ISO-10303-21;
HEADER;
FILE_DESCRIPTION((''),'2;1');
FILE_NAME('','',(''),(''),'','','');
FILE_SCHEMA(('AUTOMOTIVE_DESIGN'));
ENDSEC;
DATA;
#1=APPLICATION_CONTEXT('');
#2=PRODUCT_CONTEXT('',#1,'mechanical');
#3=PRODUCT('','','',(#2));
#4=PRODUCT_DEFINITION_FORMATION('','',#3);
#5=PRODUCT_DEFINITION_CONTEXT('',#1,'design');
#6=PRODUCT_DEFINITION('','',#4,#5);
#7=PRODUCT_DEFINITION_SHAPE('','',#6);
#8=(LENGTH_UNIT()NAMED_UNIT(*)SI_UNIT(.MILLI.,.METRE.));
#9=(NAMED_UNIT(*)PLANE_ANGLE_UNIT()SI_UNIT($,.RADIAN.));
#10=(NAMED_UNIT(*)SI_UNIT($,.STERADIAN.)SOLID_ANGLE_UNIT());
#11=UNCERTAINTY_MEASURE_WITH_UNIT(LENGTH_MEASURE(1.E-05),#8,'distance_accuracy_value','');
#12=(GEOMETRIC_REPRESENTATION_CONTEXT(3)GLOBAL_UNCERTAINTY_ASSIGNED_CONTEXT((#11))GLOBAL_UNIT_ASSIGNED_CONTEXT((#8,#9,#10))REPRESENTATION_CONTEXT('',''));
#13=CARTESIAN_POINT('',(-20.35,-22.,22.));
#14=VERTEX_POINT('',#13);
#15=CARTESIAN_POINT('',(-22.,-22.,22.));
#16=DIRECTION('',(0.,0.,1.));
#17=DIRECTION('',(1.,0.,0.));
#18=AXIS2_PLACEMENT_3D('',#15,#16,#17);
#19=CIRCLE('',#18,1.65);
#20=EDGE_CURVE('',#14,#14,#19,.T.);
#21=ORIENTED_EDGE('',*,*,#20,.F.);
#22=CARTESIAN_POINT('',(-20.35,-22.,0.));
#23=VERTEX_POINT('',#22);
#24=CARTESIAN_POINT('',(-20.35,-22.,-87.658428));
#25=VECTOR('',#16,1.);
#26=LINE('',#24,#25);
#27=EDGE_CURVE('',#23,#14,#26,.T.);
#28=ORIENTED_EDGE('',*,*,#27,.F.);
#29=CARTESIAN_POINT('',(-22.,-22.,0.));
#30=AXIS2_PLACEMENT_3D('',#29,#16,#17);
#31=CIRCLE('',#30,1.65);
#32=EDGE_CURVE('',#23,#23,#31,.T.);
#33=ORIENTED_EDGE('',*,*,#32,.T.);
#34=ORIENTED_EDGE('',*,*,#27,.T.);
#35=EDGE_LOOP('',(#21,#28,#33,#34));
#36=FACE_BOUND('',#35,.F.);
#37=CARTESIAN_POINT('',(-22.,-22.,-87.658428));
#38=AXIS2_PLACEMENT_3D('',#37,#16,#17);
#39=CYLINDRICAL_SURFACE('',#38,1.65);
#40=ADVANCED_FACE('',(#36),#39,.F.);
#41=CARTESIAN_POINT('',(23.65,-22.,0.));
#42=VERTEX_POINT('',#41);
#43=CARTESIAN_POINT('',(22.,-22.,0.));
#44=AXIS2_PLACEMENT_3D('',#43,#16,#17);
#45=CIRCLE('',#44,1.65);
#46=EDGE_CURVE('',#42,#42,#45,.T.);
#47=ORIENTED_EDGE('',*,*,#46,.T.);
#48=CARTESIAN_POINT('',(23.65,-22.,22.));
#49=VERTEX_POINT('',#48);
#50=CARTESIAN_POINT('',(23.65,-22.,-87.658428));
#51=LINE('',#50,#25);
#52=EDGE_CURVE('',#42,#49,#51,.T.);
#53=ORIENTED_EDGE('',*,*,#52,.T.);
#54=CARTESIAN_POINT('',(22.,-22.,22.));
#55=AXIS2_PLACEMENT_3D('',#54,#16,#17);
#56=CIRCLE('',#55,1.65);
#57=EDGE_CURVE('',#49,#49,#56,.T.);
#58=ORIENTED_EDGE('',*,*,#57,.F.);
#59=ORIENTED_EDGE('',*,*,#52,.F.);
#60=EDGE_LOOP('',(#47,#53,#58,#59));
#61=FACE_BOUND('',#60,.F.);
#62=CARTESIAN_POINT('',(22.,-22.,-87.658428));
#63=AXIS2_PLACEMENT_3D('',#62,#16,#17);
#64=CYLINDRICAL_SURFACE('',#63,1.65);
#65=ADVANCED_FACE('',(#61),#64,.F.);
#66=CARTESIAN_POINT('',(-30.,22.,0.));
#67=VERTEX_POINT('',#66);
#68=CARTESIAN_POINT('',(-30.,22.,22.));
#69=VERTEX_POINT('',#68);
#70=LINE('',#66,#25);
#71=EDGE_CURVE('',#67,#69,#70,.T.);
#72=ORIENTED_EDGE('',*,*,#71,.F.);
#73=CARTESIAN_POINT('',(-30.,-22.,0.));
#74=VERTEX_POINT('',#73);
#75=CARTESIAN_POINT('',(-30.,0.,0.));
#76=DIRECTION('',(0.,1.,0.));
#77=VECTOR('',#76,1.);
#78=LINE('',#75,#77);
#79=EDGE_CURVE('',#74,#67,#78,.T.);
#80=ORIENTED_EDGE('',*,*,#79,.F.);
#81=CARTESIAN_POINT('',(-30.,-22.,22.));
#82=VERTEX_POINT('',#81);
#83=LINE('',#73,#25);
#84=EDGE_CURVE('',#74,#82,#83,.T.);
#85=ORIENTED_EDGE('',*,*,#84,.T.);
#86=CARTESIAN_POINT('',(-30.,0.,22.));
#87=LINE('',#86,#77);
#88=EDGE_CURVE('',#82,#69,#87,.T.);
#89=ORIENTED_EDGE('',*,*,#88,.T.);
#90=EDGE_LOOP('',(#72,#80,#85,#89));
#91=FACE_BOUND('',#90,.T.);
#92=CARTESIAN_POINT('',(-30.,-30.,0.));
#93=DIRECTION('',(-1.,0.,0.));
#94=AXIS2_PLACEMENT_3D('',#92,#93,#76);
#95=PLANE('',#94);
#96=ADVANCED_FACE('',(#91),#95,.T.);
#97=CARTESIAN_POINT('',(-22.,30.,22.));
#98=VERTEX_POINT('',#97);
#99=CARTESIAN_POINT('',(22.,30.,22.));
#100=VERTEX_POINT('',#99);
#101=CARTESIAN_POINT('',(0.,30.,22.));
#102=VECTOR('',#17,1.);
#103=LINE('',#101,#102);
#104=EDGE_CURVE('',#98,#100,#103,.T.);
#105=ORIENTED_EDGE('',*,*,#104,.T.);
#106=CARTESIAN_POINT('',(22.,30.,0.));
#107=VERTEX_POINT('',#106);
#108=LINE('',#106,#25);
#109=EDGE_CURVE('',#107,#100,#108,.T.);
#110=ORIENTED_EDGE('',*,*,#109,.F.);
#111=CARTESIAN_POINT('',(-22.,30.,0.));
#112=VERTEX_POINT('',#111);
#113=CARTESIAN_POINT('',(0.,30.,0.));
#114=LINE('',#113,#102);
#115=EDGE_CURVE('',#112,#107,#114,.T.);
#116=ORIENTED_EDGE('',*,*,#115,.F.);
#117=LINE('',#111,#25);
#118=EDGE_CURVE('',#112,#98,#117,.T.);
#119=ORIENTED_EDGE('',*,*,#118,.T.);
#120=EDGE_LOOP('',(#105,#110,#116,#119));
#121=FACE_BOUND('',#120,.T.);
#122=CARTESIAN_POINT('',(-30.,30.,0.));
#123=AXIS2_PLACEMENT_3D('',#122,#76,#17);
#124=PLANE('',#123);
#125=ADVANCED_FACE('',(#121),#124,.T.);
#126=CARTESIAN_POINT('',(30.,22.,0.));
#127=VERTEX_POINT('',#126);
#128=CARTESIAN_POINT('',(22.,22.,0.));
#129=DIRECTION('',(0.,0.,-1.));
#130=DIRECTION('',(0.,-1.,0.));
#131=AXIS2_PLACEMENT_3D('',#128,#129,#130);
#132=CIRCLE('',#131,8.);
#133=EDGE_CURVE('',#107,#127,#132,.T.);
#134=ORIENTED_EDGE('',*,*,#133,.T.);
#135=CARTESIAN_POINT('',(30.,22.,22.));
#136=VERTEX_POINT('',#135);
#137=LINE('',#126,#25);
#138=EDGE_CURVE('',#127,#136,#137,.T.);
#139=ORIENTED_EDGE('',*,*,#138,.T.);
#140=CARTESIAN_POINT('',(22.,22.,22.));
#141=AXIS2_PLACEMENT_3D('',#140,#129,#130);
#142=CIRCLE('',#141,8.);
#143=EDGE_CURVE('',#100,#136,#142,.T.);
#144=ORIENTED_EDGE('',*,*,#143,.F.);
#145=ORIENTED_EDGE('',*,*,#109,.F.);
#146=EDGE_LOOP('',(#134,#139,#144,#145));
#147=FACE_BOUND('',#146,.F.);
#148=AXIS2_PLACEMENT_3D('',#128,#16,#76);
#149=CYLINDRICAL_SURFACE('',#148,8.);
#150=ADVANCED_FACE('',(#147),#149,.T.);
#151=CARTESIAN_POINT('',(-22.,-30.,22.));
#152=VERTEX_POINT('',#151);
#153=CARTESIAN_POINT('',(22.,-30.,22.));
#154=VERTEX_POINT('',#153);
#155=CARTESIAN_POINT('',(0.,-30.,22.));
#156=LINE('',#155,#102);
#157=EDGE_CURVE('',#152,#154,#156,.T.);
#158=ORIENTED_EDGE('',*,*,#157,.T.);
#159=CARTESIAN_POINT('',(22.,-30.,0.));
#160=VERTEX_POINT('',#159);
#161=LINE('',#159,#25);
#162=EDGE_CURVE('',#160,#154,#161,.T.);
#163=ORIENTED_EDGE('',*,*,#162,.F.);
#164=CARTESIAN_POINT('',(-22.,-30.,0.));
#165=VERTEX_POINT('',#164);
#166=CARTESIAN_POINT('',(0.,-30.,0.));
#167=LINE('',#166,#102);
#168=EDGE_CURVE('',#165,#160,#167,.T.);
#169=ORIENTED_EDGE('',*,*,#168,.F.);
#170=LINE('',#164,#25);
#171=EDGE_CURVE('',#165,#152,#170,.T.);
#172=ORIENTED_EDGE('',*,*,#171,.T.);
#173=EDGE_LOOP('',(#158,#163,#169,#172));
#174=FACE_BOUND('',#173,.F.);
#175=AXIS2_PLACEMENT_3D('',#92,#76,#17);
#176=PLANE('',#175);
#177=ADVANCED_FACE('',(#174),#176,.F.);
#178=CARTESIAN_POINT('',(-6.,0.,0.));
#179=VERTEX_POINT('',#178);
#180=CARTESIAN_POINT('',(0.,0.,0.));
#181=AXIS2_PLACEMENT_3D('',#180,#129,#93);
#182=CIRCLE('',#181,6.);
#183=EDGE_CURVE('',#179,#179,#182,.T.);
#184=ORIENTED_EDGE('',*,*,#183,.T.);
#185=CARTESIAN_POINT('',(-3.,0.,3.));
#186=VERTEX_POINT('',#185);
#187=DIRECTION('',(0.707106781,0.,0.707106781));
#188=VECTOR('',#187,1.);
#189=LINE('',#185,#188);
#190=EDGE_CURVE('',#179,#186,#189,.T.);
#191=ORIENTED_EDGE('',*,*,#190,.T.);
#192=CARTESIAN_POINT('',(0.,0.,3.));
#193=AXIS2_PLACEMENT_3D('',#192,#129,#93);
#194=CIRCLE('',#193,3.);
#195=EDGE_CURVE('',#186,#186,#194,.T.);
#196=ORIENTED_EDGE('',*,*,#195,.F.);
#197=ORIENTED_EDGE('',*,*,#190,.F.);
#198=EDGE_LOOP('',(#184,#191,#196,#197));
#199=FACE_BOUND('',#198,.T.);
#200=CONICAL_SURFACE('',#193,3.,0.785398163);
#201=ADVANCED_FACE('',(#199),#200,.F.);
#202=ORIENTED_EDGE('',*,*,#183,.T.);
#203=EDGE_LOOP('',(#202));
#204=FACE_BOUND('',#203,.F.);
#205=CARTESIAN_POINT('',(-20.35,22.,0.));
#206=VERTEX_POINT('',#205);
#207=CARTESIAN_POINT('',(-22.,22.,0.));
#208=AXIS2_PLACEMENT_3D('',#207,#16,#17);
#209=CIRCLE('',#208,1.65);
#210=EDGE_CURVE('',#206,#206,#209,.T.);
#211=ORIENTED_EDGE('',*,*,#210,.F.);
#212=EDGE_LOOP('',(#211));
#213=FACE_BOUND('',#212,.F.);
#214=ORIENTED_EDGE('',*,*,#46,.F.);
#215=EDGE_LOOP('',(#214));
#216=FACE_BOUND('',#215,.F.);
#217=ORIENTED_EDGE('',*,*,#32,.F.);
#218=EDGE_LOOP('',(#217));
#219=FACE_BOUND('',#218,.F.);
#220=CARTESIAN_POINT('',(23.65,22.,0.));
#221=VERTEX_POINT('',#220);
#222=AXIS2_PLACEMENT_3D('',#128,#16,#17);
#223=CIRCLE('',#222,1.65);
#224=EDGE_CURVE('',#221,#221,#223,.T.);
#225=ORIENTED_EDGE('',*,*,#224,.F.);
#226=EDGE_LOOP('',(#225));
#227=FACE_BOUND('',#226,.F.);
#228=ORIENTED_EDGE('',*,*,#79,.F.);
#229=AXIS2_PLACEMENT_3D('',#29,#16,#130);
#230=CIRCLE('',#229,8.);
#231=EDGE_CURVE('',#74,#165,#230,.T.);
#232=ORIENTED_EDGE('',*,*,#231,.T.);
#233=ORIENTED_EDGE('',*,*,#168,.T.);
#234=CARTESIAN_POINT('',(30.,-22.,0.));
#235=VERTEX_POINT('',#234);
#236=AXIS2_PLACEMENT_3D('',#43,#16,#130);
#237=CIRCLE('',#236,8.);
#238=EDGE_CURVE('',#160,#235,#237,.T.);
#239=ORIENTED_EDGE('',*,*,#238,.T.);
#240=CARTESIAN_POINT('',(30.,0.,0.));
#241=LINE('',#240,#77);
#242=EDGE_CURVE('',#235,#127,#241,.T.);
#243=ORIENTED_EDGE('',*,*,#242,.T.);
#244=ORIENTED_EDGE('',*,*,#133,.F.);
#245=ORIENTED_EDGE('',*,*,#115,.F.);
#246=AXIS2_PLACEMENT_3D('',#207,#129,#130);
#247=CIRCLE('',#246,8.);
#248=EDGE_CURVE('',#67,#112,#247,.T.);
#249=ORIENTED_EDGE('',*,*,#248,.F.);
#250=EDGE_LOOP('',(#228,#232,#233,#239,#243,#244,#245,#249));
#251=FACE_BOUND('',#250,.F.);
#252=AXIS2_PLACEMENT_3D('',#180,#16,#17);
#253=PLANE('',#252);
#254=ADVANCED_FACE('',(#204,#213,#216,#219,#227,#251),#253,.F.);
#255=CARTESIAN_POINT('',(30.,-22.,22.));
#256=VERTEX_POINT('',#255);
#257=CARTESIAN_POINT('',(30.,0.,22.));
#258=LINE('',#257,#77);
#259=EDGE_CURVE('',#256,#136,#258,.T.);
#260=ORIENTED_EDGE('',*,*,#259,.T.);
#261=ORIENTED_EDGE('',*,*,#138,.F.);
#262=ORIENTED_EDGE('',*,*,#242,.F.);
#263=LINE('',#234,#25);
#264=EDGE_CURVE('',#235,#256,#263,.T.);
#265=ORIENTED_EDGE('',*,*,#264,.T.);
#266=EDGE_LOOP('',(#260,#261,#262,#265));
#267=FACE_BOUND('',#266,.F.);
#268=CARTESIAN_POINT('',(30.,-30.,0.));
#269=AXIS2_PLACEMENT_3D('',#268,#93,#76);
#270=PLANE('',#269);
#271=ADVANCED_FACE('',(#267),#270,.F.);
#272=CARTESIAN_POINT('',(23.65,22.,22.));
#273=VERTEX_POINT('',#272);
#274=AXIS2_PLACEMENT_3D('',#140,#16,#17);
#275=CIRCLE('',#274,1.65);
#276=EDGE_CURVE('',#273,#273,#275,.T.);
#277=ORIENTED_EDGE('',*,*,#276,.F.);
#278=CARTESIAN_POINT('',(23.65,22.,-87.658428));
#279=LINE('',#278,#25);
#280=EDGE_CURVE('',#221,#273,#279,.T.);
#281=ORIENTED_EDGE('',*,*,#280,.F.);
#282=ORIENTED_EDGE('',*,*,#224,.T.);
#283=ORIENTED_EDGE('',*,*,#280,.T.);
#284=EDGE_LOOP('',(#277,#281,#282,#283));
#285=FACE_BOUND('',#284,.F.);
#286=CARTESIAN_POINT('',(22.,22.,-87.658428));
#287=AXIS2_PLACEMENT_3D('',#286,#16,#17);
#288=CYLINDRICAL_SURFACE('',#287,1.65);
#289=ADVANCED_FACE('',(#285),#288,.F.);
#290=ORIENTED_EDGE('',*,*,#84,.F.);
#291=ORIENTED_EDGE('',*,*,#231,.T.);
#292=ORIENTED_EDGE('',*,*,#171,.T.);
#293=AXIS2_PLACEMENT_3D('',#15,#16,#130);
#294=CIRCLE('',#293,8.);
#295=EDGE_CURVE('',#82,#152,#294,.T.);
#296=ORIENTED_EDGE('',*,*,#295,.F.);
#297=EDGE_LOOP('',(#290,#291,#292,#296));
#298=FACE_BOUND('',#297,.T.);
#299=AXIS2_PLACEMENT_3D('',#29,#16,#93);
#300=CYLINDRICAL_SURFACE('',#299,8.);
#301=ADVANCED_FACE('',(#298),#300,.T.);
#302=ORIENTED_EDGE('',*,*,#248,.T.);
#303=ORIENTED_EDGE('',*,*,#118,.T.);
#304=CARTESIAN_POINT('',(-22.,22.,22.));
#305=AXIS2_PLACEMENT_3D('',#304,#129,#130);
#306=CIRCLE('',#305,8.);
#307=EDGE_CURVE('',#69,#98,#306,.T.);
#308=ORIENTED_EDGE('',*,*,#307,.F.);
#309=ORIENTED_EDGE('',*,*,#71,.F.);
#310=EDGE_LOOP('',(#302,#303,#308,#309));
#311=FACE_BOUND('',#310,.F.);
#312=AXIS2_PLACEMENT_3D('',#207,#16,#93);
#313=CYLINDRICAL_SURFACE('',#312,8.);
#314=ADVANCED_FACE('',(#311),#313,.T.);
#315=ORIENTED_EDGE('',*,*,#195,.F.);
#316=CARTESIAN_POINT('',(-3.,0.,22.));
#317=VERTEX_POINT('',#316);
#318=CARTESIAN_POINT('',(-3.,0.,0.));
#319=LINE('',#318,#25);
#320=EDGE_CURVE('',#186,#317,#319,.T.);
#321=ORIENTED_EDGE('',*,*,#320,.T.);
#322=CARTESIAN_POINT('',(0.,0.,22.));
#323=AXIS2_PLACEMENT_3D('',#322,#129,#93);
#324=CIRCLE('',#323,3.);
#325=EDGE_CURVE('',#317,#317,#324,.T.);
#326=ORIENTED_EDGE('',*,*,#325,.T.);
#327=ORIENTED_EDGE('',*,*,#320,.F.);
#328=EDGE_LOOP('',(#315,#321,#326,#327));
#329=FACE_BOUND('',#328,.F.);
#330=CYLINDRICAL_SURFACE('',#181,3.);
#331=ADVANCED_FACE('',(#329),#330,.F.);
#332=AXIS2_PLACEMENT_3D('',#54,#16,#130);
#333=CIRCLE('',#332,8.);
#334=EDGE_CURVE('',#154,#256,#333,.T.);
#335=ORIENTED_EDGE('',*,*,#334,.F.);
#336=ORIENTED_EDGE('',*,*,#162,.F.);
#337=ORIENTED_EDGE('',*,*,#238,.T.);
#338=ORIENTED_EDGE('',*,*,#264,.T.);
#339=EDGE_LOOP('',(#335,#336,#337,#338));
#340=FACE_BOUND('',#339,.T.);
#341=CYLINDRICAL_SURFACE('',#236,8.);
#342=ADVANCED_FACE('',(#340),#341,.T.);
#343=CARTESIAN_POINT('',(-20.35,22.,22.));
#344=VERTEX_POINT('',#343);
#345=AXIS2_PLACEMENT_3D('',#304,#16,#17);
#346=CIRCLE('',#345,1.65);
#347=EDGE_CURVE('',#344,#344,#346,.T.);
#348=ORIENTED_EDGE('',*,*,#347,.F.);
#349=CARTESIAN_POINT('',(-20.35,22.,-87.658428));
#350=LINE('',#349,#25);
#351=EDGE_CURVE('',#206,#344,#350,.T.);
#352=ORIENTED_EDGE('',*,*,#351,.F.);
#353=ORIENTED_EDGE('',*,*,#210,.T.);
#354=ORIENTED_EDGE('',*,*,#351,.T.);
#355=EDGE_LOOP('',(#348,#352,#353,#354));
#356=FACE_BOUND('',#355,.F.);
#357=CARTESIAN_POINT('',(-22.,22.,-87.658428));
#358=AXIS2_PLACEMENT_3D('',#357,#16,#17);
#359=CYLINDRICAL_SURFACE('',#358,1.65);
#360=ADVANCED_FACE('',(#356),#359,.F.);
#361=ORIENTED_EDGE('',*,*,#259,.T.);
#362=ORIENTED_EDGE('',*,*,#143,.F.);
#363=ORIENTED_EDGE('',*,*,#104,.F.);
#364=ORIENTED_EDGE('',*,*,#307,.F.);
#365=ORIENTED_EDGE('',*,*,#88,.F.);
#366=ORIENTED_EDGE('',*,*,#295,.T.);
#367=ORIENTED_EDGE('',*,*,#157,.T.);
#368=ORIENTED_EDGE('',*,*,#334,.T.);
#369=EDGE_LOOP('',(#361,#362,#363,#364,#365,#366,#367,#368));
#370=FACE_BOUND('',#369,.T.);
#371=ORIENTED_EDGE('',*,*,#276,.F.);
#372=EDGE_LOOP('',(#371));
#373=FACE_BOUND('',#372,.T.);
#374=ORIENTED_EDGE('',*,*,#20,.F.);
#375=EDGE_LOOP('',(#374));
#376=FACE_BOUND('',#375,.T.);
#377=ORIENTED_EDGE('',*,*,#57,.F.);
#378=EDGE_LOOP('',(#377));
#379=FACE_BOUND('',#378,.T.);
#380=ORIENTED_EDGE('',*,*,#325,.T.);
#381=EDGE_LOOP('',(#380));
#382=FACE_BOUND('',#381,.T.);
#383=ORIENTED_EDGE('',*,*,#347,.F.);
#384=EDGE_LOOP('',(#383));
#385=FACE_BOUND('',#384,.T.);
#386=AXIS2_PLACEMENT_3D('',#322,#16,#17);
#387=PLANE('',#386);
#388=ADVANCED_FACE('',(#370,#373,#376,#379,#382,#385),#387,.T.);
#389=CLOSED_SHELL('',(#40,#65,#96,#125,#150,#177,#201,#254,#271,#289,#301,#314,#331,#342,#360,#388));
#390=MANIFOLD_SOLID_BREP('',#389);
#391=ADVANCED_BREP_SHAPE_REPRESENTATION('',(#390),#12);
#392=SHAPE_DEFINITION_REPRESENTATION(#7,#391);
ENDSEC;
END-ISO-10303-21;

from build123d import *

# Parameters (mm, degrees)
SKETCH1_W             = 60
SKETCH1_H             = 60
BOSS_EXTRUDE1_DEPTH   = 22
SKETCH2_R             = 3
CUT_EXTRUDE1_DEPTH    = 23
CHAMFER1_SIZE         = 3
FILLET1_R             = 8
M4X0_7_TAPPED_HOLE1_D = 3.3


with BuildPart() as part:
    # Sketch1 → Boss-Extrude1 (new body)
    with BuildSketch(Plane.XY):
        Rectangle(SKETCH1_W, SKETCH1_H)
    extrude(amount=BOSS_EXTRUDE1_DEPTH)

    # Sketch2 → Cut-Extrude1 (cut, through all)
    with BuildSketch(Plane(origin=(0, 0, 0), x_dir=(-1, 0, 0), z_dir=(0, 0, -1))):
        Circle(SKETCH2_R)
    extrude(amount=-CUT_EXTRUDE1_DEPTH, mode=Mode.SUBTRACT)

    # Chamfer1
    chamfer1_edges = [part.edges().sort_by_distance(p)[0] for p in [
        (3, 0, 0),
    ]]
    chamfer(chamfer1_edges, length=CHAMFER1_SIZE)

    # Fillet1
    fillet1_edges = [part.edges().sort_by_distance(p)[0] for p in [
        (30, -30, 11),
        (-30, -30, 11),
        (-30, 30, 11),
        (30, 30, 11),
    ]]
    fillet(fillet1_edges, radius=FILLET1_R)

    # M4x0.7 Tapped Hole1 (through all)
    with Locations(Plane(origin=(0, 0, 0), x_dir=(-1, 0, 0), z_dir=(0, 0, -1))):
        with Locations((-22, 22), (22, 22), (22, -22), (-22, -22)):
            Hole(M4X0_7_TAPPED_HOLE1_D / 2)


solid = part.part
